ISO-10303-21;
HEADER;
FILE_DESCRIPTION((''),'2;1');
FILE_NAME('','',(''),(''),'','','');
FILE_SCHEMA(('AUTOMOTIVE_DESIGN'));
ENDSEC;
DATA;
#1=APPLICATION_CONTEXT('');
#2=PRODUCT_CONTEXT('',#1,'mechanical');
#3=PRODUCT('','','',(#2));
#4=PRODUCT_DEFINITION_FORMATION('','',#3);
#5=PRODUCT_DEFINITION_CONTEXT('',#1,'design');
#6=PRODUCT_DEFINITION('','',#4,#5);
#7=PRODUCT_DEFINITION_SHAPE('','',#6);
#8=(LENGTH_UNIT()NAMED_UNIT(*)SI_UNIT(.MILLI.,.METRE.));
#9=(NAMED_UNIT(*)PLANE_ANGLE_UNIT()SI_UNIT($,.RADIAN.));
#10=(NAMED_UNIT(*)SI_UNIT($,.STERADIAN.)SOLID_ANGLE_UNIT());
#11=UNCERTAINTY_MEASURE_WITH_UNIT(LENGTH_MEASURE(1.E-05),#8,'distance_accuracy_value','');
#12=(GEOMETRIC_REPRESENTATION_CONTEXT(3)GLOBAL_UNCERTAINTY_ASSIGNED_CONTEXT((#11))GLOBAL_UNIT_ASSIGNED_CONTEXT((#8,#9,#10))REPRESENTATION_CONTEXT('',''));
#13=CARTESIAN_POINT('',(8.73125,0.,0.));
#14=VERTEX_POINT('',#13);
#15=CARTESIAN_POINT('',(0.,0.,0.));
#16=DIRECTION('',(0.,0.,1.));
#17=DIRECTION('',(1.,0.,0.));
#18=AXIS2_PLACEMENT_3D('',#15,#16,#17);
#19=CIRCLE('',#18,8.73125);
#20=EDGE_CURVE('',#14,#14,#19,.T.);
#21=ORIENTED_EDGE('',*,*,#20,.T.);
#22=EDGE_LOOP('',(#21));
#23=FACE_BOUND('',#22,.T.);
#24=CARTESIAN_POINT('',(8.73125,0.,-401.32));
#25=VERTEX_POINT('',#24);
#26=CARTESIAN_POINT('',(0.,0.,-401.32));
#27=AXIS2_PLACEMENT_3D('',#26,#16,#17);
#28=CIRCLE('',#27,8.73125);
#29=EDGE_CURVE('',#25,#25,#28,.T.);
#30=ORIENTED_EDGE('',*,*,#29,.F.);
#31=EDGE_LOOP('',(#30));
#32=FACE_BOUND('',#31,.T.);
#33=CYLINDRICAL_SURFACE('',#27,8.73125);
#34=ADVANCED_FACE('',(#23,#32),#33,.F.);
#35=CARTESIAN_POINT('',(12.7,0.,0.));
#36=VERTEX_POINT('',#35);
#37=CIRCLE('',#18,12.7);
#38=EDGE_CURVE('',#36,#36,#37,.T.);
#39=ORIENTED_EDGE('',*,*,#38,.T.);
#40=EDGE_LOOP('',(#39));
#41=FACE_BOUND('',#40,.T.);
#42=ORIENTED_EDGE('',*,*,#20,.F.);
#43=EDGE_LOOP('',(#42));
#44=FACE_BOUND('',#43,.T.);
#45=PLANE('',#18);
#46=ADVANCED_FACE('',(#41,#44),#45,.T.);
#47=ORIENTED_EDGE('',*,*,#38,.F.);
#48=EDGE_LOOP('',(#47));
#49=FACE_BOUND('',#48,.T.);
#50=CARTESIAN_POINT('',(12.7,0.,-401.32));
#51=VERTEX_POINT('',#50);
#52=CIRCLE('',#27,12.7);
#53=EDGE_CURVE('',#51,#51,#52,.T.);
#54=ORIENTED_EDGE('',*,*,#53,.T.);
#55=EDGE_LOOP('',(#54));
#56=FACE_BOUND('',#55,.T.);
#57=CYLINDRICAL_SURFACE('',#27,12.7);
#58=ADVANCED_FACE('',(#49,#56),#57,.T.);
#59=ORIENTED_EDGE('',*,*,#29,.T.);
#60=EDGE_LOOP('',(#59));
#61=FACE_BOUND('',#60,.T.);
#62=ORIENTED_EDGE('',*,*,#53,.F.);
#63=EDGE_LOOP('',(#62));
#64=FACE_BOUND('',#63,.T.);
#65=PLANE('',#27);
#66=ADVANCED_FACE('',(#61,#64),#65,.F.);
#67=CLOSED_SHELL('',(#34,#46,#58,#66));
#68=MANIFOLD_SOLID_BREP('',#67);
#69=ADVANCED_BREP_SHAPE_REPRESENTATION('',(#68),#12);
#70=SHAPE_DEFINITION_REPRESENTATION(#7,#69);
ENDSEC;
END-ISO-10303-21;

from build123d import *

# Parameters (mm, degrees)
SKETCH1_R           = 12.7
SKETCH1_R_2         = 8.73125
BOSS_EXTRUDE1_DEPTH = 401.32


with BuildPart() as part:
    # Sketch1 → Boss-Extrude1 (new body)
    with BuildSketch(Plane.XY):
        Circle(SKETCH1_R)
        Circle(SKETCH1_R_2, mode=Mode.SUBTRACT)
    extrude(amount=-BOSS_EXTRUDE1_DEPTH)


solid = part.part
